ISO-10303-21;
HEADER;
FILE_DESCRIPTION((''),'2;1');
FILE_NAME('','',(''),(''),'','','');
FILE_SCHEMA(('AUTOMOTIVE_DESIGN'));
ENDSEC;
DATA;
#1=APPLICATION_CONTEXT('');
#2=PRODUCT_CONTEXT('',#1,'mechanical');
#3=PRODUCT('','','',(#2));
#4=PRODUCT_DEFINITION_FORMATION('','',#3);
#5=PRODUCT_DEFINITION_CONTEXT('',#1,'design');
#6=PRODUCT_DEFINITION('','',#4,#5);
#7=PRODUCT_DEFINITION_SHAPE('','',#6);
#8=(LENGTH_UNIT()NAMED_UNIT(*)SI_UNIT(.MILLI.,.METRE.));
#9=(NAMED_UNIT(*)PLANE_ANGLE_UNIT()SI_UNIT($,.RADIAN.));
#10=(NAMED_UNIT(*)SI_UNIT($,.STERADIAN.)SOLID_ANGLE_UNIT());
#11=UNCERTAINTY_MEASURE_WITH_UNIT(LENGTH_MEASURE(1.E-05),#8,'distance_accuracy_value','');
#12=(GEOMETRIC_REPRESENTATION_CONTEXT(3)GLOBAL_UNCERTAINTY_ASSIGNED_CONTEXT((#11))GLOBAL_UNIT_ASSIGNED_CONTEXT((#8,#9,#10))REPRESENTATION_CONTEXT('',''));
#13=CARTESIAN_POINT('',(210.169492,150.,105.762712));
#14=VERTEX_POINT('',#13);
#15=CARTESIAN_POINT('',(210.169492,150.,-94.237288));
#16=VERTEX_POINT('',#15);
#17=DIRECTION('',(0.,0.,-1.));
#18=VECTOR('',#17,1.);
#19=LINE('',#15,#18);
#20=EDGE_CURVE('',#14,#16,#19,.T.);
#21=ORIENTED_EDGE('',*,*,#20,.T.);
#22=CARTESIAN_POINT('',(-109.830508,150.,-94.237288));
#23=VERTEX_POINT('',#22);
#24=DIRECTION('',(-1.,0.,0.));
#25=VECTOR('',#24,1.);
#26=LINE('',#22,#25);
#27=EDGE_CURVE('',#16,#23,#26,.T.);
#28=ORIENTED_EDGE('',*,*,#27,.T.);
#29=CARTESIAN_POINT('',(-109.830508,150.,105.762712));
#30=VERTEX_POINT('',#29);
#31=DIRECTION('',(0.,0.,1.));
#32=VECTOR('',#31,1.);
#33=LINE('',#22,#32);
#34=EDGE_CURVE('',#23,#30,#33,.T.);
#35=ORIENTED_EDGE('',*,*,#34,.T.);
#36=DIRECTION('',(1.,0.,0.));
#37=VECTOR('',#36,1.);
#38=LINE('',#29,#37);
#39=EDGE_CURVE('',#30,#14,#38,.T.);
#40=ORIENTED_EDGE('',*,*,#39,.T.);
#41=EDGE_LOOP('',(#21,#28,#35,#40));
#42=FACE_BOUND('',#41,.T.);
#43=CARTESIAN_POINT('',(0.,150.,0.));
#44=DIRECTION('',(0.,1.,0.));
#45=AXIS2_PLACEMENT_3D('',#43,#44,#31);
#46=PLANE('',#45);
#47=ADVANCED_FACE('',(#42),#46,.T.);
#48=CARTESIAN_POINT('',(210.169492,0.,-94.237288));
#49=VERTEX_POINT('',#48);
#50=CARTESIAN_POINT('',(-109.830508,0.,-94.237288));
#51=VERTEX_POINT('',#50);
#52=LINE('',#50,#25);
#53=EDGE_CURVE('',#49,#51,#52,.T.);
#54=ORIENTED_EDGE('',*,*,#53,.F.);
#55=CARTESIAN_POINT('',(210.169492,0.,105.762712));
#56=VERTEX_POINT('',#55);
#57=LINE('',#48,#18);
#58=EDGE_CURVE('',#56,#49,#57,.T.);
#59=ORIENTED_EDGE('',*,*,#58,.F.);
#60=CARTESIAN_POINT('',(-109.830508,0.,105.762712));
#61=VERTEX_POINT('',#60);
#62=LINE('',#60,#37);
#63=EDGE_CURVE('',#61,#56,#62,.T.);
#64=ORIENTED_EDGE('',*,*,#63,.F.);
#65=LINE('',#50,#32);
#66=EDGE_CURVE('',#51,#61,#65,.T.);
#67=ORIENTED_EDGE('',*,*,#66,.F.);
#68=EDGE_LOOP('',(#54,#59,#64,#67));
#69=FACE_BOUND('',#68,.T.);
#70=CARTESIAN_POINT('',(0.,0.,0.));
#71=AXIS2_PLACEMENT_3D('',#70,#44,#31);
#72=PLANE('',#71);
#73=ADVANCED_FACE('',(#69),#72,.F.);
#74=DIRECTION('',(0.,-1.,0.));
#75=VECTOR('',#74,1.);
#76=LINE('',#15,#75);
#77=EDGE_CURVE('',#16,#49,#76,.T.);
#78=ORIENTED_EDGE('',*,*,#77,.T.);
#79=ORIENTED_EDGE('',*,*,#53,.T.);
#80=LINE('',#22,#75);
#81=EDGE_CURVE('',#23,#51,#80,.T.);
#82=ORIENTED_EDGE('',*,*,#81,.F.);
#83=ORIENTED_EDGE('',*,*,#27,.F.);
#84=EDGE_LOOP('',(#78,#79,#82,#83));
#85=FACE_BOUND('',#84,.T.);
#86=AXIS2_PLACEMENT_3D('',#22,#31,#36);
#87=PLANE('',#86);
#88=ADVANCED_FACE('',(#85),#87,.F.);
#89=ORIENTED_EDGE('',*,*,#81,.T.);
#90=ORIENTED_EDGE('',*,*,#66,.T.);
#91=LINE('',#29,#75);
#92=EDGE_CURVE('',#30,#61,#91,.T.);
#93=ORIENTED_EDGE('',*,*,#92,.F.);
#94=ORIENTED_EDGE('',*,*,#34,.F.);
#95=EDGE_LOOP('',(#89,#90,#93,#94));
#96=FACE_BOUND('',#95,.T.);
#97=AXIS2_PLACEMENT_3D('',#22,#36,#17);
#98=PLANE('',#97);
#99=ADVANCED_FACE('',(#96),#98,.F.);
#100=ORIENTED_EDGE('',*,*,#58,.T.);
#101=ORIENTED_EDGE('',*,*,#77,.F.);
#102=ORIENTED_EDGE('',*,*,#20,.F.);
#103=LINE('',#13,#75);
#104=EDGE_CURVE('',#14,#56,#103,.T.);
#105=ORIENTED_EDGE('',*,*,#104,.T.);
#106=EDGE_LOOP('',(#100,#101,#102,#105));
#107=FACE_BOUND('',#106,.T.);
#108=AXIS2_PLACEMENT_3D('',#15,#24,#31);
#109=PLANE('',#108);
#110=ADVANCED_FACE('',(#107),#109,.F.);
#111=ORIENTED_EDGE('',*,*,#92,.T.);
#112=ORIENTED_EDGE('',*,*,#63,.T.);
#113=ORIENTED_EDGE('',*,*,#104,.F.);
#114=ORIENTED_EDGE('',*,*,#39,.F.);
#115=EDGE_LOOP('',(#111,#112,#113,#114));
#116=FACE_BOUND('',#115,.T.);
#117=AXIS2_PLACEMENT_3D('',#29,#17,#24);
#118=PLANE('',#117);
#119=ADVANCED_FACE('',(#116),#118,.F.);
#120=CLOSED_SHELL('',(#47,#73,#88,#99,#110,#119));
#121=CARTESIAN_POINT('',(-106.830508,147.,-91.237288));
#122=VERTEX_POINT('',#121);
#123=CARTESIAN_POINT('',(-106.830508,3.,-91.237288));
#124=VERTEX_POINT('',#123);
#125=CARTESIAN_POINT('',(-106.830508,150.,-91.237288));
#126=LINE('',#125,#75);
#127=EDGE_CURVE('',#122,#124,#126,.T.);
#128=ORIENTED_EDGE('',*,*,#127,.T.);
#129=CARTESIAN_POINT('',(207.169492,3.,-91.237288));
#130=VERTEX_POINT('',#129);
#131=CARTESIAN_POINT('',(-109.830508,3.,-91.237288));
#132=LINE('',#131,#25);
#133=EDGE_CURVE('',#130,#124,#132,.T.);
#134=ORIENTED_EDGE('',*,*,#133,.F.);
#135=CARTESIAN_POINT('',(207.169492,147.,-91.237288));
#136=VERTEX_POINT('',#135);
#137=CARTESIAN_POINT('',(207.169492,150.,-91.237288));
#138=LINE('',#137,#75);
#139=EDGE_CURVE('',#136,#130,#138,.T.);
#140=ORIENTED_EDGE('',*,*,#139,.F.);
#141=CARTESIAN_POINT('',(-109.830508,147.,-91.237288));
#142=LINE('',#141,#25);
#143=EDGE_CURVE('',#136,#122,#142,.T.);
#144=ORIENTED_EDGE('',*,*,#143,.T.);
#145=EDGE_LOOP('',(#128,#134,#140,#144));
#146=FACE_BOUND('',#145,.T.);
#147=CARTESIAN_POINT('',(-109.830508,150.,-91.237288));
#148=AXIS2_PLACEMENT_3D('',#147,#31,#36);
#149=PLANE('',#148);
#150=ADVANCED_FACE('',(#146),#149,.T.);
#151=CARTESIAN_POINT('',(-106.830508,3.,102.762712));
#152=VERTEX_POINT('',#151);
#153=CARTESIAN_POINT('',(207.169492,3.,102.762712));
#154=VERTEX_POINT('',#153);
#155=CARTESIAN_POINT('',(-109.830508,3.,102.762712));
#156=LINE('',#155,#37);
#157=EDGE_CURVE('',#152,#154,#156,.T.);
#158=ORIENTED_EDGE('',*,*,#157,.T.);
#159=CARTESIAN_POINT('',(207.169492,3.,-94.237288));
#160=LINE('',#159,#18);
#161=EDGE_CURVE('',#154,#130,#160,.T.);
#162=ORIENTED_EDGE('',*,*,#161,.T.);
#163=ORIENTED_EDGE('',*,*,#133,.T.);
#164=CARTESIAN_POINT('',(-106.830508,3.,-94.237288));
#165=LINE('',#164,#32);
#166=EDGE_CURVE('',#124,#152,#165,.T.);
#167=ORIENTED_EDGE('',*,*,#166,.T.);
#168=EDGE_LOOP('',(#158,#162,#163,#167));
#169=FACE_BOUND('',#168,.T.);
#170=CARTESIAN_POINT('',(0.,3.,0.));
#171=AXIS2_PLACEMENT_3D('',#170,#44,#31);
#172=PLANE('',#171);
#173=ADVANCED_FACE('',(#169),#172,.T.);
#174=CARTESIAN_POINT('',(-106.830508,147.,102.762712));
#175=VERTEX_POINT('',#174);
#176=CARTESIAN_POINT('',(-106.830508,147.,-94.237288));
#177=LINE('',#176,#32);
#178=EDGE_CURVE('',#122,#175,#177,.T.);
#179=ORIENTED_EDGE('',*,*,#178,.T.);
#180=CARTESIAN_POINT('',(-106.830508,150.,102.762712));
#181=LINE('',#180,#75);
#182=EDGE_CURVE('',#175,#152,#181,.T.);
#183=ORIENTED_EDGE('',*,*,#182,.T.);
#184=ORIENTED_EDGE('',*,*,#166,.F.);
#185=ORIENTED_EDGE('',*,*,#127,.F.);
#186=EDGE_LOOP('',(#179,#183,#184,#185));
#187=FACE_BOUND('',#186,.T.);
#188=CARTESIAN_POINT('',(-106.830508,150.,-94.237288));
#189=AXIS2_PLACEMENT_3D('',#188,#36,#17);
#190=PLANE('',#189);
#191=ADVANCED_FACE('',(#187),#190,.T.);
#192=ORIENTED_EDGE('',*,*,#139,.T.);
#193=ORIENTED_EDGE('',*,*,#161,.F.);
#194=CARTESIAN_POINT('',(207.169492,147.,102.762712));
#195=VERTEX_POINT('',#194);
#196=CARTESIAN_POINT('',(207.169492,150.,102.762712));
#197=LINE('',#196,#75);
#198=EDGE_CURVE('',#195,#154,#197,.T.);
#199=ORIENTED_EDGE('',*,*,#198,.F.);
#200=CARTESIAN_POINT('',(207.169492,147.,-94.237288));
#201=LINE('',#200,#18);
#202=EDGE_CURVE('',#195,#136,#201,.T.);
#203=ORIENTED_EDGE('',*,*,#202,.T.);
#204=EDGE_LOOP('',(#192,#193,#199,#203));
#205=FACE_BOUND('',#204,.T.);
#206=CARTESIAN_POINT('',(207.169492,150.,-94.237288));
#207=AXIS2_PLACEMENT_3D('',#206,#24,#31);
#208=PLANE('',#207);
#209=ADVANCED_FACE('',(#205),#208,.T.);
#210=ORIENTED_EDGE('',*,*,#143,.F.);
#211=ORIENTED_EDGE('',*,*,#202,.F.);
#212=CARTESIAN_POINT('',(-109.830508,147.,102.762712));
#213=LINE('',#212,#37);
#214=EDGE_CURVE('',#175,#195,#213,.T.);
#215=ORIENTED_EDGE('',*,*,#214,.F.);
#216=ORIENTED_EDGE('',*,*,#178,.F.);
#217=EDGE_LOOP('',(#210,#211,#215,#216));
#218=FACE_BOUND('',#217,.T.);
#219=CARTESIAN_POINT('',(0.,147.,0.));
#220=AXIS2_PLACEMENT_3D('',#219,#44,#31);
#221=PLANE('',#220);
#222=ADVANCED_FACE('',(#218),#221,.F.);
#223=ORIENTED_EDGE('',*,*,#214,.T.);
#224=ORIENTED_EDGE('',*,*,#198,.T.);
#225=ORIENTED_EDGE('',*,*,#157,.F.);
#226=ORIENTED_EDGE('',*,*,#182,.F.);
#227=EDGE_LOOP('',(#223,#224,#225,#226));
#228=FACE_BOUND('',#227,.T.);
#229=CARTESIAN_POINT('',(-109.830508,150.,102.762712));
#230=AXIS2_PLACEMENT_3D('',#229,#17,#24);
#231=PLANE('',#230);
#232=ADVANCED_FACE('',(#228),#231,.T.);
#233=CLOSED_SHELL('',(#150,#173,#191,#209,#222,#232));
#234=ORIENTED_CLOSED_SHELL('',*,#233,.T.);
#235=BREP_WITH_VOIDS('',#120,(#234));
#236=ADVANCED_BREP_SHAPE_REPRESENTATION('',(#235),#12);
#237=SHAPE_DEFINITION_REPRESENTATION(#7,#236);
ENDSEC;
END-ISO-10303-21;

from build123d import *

# Parameters (mm, degrees)
SKETCH1_W           = 320
SKETCH1_H           = 200
BOSS_EXTRUDE1_DEPTH = 150
SHELL2_T            = 3


with BuildPart() as part:
    # Sketch1 → Boss-Extrude1 (new body)
    with BuildSketch(Plane(origin=(0, 0, 0), x_dir=(1, 0, 0), z_dir=(0, 1, 0))):
        with Locations((50.169491525, -5.762711864)):
            Rectangle(SKETCH1_W, SKETCH1_H)
    extrude(amount=BOSS_EXTRUDE1_DEPTH)

    # Shell2 (no face opened: a closed hollow body)
    add(offset(amount=-SHELL2_T, mode=Mode.PRIVATE), mode=Mode.SUBTRACT)


solid = part.part
